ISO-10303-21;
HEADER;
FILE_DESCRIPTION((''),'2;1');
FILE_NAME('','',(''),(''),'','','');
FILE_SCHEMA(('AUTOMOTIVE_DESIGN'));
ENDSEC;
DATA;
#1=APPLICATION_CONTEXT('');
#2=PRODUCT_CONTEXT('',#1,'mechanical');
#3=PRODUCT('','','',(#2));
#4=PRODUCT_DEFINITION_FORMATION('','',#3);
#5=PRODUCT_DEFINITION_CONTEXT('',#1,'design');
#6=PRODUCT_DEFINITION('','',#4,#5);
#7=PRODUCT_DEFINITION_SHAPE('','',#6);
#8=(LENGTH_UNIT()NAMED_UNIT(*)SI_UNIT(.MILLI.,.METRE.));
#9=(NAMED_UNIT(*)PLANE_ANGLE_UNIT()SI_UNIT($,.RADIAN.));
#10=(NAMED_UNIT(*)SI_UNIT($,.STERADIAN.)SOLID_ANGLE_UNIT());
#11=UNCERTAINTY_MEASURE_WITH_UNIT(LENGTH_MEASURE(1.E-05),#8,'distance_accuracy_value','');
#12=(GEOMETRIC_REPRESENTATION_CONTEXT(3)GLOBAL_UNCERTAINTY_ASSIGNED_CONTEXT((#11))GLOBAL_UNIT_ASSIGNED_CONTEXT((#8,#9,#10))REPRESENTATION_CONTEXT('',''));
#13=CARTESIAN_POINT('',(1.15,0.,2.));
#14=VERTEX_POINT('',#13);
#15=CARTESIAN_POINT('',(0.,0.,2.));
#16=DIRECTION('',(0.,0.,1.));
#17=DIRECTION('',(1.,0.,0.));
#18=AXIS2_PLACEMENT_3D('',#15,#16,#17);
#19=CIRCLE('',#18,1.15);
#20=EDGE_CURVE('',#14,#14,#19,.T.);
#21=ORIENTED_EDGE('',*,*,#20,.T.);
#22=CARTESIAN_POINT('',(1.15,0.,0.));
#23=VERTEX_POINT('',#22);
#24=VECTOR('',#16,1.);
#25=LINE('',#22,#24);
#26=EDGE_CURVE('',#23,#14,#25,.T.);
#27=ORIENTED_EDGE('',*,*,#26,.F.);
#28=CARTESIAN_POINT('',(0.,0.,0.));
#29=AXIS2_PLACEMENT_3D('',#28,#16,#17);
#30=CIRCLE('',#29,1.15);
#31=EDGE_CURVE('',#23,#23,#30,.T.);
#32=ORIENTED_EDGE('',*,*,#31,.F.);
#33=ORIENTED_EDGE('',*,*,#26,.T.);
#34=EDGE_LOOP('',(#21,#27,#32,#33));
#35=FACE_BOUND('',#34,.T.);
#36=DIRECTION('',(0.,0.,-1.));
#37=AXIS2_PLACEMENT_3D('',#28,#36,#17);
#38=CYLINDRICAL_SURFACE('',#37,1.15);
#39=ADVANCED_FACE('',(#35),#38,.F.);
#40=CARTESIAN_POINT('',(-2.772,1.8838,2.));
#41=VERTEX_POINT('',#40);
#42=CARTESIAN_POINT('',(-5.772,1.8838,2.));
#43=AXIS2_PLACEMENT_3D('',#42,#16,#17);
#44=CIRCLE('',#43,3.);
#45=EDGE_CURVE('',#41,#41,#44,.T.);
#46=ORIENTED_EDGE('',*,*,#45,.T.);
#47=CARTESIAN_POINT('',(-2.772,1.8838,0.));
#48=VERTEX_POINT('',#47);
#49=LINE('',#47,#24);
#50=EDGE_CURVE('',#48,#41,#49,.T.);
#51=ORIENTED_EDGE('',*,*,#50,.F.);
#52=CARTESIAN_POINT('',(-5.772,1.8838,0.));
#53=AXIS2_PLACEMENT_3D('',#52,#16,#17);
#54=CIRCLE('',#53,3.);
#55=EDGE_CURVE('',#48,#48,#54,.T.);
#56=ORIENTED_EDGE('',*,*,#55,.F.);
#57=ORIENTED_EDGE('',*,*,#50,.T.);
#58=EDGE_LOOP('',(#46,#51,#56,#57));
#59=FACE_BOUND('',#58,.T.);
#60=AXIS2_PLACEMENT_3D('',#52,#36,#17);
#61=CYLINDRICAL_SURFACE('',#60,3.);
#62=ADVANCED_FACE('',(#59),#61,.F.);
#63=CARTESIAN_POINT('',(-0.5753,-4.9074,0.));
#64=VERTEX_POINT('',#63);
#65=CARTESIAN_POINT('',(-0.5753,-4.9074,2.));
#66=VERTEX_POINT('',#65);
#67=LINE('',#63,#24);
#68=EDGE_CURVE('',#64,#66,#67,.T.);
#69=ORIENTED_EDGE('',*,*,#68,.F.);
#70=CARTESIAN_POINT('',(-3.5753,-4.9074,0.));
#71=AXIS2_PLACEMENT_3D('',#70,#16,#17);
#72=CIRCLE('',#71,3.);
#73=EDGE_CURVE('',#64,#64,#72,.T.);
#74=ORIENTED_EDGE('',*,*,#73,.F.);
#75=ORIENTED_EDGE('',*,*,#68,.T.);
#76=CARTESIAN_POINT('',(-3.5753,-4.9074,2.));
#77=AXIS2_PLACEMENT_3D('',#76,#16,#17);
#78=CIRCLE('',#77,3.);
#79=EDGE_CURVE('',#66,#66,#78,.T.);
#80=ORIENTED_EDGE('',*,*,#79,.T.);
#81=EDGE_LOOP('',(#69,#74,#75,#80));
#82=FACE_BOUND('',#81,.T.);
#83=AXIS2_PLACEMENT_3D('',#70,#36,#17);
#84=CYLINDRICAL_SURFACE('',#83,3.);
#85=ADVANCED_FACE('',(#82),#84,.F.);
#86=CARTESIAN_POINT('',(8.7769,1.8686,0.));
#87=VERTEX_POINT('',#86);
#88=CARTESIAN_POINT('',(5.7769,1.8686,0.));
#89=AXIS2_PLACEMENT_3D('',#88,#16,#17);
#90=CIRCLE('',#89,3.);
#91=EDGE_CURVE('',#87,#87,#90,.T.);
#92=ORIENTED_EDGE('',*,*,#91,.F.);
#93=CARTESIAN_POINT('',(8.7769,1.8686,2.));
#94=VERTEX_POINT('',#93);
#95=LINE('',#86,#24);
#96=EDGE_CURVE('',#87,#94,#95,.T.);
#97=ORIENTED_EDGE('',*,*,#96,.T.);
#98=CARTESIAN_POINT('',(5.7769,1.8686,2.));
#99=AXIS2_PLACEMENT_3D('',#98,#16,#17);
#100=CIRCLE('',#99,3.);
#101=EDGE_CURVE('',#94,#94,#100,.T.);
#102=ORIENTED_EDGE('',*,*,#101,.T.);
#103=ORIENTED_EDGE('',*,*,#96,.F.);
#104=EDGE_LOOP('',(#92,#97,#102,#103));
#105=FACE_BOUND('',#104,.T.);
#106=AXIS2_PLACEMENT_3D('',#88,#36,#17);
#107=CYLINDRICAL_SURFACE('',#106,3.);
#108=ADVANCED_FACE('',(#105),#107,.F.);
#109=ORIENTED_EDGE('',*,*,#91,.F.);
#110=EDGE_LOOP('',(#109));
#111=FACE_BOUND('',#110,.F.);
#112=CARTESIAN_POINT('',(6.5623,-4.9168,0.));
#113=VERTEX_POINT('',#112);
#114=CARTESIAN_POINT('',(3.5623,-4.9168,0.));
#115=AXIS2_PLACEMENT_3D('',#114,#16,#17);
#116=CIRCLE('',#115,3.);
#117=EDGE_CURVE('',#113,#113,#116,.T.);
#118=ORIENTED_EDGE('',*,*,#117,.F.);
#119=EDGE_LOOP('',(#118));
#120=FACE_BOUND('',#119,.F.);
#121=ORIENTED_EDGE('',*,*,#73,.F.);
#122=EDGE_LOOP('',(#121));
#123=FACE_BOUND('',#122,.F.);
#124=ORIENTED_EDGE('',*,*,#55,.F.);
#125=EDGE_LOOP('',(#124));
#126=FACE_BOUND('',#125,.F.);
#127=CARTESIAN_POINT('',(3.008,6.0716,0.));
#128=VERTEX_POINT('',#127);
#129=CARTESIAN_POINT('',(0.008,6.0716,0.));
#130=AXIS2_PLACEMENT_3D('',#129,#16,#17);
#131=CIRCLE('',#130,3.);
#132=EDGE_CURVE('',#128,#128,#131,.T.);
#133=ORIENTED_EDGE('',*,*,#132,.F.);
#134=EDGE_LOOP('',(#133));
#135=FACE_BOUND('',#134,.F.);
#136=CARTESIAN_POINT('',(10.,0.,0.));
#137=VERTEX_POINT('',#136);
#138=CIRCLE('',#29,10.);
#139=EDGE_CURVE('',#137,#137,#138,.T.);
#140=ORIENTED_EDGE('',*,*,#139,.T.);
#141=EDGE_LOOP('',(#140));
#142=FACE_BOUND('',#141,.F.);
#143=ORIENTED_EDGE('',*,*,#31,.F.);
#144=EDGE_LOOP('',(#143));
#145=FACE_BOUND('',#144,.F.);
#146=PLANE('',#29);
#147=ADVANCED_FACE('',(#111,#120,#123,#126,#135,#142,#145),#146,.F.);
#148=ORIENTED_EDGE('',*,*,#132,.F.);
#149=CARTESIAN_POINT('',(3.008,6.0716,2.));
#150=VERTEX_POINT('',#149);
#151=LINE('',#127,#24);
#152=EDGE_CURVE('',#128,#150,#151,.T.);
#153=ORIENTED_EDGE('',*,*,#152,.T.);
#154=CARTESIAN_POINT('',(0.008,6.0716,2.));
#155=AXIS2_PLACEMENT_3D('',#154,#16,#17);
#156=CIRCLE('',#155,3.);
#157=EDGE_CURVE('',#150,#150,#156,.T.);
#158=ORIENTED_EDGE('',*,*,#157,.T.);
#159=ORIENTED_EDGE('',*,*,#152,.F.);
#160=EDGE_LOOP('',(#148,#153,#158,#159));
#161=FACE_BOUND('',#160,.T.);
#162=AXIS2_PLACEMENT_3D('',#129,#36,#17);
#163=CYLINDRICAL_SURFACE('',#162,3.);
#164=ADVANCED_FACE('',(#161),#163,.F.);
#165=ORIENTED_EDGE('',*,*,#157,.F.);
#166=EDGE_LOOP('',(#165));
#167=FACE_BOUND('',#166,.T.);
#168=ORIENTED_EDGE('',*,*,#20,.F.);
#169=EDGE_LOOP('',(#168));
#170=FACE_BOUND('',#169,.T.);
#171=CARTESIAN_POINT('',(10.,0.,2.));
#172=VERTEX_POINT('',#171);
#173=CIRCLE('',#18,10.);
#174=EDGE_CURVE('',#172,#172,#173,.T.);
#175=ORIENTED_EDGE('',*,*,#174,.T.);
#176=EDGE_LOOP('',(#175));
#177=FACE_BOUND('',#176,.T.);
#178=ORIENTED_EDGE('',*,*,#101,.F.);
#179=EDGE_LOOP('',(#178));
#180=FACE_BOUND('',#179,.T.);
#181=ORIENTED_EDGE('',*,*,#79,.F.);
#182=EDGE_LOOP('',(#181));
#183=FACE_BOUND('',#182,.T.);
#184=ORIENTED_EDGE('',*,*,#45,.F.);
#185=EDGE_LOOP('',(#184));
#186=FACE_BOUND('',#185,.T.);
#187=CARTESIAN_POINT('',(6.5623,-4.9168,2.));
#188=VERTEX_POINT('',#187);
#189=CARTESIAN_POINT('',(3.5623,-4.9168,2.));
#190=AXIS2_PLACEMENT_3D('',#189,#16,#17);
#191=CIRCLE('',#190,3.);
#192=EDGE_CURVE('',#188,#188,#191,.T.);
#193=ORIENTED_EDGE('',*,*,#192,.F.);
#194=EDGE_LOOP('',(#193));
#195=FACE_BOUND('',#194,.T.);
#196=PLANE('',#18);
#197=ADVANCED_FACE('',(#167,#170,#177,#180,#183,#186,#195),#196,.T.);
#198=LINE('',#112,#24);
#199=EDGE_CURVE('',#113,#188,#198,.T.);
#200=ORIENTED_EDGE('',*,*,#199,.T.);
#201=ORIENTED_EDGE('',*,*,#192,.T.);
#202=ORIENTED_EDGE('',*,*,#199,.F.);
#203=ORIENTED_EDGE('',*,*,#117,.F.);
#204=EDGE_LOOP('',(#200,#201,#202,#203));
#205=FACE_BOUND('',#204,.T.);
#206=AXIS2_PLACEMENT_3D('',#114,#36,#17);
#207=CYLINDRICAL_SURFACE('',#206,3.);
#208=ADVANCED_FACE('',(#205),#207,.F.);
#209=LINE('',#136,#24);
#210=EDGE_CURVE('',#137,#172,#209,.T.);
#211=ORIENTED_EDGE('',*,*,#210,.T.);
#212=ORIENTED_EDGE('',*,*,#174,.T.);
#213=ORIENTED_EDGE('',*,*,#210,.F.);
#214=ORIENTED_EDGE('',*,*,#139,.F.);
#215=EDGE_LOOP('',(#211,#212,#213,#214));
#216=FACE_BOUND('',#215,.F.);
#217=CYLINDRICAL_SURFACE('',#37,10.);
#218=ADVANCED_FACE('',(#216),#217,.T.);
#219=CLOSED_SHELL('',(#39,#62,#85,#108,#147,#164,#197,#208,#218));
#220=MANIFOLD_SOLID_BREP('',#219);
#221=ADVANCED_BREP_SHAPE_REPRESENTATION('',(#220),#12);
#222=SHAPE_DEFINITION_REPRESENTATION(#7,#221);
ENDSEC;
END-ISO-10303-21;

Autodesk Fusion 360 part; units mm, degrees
sketch "Sketch1" plane through (0, 0, 0) normal (0, 0, 1) x (1, 0, 0)
  circle A0 centre (0, 0) radius 1.15
  circle A1 centre (0, 0) radius 10
  circle A2 centre (0.008, 6.0716) radius 3
  circle A3 centre (-5.772, 1.8838) radius 3
  circle A4 centre (-3.5753, -4.9074) radius 3
  circle A5 centre (3.5623, -4.9168) radius 3
  circle A6 centre (5.7769, 1.8686) radius 3
  dimension "d1" = 2.3
  dimension "d2" = 20
  dimension "d3" = 6
  dimension "d5" = 360
extrude "Extrude1" add sketch "Sketch1" along normal blind 2
